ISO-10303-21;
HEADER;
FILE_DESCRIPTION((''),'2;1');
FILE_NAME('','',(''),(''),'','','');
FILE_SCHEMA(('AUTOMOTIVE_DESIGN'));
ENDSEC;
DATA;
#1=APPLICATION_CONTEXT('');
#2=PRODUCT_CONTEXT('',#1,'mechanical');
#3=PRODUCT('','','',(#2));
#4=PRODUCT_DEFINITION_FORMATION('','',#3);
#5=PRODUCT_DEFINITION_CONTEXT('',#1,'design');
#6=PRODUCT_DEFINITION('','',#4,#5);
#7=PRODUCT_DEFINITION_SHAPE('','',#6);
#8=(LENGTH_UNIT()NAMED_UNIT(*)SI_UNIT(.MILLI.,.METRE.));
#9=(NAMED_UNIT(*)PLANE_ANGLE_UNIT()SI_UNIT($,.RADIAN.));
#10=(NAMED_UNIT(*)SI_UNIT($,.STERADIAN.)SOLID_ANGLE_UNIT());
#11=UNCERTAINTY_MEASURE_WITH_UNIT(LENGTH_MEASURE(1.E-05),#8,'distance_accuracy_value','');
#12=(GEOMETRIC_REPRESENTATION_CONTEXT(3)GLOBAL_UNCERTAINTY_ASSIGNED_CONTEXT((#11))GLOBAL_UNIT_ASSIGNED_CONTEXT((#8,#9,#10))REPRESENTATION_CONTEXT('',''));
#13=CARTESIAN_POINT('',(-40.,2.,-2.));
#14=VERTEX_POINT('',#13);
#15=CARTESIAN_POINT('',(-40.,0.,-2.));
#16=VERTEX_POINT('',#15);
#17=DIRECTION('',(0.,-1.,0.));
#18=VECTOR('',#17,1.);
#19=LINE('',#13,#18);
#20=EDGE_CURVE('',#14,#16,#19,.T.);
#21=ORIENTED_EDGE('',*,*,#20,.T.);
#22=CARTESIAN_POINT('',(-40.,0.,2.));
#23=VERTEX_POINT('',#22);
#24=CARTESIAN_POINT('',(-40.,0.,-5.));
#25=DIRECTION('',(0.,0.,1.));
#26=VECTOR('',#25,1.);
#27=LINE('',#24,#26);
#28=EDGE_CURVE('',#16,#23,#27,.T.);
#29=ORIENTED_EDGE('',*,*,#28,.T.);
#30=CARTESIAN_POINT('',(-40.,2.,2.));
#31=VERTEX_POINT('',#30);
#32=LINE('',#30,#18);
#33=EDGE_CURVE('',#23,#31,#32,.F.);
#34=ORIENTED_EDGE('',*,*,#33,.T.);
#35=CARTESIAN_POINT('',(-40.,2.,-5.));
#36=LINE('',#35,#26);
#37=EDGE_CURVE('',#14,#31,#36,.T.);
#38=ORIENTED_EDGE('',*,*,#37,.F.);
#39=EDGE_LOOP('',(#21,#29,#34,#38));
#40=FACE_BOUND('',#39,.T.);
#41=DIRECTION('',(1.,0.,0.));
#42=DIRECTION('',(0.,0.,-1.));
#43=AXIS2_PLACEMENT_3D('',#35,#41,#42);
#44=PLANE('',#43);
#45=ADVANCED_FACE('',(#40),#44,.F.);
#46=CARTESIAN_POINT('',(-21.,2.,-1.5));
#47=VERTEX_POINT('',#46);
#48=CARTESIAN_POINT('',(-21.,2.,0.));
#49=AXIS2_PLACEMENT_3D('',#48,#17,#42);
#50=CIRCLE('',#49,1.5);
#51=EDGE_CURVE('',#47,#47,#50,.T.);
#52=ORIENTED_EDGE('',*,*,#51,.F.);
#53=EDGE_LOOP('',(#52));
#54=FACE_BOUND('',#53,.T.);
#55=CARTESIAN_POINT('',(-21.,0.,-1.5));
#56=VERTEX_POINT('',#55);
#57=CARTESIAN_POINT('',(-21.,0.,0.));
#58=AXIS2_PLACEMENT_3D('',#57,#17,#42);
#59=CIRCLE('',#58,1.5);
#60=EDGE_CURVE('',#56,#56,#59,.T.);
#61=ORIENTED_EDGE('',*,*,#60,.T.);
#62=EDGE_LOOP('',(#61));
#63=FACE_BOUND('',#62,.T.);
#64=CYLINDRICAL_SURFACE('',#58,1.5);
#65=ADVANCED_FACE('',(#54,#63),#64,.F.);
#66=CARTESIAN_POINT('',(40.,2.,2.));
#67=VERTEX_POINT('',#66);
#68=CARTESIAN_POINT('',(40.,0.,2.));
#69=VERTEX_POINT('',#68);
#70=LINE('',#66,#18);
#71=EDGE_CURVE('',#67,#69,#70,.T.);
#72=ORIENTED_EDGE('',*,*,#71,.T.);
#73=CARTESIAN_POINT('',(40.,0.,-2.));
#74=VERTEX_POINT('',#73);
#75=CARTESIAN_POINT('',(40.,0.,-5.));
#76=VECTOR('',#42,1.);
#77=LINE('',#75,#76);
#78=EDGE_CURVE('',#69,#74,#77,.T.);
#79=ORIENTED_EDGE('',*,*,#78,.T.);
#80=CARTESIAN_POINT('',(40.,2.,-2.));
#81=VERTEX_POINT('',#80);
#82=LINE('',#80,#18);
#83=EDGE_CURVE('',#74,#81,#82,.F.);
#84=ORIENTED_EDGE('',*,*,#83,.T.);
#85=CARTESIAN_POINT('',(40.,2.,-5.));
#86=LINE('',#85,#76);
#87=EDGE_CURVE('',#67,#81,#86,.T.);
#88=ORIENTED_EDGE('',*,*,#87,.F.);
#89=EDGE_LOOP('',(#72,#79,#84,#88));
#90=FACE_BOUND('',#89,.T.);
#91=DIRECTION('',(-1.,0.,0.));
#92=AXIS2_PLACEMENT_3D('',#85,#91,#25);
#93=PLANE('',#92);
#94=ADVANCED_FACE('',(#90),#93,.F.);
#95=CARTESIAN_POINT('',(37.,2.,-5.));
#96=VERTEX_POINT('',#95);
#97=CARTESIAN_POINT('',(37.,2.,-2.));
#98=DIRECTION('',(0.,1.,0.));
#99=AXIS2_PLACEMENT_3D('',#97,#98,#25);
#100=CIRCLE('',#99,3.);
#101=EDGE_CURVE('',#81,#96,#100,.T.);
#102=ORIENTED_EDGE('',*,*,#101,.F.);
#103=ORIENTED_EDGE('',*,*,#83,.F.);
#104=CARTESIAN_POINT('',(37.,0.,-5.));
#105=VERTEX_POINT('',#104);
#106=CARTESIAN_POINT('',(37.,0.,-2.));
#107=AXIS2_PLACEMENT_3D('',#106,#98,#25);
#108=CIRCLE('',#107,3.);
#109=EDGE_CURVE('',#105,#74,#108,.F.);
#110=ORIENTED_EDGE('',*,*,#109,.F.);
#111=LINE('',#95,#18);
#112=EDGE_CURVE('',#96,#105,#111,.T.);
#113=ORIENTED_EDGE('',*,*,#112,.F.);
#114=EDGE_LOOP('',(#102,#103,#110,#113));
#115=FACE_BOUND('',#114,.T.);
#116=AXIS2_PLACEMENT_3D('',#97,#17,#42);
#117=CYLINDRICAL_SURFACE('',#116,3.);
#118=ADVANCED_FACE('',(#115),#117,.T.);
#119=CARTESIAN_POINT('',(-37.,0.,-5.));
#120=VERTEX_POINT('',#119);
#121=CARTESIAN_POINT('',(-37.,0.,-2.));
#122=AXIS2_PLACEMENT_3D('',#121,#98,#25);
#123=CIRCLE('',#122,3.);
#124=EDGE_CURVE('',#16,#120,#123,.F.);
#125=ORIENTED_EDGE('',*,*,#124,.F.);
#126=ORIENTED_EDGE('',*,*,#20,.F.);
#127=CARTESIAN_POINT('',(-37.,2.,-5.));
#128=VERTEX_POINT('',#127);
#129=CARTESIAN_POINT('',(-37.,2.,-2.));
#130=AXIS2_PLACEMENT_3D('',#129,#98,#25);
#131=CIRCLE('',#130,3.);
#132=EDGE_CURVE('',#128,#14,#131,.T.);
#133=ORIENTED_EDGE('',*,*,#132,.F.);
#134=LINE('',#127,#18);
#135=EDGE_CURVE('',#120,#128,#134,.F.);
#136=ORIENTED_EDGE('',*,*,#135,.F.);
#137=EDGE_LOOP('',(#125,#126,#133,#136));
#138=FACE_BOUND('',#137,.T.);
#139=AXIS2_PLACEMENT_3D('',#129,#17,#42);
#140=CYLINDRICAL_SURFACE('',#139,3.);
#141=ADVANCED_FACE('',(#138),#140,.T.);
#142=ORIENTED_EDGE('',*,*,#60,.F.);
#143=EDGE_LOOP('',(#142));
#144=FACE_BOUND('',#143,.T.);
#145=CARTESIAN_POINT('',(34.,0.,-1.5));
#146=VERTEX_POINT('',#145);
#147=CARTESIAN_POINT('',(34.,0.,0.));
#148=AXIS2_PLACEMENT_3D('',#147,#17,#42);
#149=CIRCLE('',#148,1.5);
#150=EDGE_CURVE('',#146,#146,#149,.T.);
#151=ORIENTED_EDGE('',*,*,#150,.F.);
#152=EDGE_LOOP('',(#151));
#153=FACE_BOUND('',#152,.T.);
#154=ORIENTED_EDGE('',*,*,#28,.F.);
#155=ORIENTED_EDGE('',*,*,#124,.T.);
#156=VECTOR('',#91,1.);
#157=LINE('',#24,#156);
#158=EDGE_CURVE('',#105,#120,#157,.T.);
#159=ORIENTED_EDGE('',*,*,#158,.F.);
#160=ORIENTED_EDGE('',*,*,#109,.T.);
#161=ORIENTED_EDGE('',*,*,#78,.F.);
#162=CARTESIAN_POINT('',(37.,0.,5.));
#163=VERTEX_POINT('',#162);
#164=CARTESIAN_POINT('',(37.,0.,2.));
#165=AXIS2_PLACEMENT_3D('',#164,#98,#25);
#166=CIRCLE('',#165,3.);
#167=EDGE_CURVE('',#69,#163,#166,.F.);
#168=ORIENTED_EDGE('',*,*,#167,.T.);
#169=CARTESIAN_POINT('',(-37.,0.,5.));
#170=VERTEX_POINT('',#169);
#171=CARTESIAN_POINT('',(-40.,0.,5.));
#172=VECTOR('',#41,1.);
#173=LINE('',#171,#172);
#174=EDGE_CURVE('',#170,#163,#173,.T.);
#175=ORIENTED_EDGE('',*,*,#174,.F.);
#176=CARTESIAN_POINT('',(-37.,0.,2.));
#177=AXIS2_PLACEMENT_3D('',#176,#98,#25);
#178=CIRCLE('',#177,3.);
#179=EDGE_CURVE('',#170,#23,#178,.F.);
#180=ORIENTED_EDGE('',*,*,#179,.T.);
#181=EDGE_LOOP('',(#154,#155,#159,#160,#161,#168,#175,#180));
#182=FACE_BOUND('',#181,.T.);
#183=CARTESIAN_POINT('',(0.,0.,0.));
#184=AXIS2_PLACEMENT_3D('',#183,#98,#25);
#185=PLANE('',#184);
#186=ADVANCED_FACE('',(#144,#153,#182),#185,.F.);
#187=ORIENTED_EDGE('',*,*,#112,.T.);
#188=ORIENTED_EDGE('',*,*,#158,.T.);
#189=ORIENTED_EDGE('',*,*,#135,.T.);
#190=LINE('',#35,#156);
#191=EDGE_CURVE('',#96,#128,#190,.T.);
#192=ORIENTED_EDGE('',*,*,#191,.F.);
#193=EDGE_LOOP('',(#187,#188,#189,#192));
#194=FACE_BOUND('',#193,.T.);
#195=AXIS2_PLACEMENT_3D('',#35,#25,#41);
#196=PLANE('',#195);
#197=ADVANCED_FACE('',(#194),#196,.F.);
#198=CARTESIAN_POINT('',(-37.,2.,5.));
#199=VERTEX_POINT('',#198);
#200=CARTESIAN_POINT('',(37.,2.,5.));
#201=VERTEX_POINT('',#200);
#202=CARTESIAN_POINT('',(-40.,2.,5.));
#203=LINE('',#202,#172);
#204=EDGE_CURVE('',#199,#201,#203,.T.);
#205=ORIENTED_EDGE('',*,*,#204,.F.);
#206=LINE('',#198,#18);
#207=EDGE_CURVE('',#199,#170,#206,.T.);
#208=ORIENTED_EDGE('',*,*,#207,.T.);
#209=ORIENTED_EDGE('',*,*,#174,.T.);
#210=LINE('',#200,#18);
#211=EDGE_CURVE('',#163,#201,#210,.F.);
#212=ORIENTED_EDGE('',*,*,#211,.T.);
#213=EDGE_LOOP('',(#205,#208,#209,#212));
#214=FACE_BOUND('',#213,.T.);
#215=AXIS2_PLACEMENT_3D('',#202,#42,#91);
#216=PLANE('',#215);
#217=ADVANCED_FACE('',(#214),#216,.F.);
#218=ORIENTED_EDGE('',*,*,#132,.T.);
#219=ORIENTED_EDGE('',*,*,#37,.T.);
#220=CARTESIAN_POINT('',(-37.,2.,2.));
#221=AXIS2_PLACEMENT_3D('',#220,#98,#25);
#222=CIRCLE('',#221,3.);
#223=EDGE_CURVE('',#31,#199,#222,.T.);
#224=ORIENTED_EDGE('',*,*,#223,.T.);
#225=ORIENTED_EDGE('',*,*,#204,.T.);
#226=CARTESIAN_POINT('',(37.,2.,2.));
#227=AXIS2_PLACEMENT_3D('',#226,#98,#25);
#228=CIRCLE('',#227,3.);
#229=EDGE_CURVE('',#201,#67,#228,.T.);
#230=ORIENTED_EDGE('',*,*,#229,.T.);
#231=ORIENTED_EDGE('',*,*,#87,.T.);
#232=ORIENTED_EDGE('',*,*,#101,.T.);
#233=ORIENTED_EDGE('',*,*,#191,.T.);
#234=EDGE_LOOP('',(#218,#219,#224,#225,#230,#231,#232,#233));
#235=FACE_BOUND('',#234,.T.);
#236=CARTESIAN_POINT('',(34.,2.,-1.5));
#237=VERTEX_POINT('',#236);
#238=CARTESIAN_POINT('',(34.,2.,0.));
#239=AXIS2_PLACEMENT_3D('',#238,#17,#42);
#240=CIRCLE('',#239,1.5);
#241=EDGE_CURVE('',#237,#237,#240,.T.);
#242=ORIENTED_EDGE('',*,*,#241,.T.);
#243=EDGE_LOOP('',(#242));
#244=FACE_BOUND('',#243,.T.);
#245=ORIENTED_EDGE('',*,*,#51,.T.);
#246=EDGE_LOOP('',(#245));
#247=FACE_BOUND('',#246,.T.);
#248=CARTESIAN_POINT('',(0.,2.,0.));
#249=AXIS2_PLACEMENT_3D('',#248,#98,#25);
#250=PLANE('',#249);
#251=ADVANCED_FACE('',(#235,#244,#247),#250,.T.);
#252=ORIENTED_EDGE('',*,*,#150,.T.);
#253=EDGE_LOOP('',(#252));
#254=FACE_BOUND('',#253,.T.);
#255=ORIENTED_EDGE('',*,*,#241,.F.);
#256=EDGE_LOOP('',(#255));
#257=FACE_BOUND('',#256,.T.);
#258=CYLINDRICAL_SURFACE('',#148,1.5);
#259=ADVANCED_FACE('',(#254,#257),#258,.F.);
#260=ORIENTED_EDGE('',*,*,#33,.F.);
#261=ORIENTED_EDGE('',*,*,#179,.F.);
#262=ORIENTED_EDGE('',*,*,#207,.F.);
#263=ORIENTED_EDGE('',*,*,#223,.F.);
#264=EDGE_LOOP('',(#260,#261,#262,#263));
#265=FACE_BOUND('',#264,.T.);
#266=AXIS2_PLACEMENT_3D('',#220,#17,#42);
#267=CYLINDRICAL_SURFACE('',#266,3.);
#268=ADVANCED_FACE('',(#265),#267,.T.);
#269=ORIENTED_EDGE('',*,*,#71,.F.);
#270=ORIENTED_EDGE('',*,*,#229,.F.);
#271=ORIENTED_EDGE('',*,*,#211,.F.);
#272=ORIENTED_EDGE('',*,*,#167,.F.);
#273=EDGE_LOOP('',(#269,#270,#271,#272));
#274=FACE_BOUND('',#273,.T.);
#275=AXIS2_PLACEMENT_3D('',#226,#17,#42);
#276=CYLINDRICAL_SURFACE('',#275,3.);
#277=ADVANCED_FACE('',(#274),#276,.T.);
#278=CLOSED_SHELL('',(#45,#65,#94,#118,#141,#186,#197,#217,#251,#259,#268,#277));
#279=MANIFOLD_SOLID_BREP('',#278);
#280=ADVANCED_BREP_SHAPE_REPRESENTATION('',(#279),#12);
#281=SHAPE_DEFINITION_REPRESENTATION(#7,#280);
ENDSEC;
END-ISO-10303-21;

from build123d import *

# Parameters (mm, degrees)
SKETCH1_W             = 80
SKETCH1_H             = 10
BOSS_EXTRUDE1_DEPTH   = 2
FILLET1_R             = 3
F_3_0MM_DOWEL_HOLE1_D = 3


with BuildPart() as part:
    # Sketch1 → Boss-Extrude1 (new body)
    with BuildSketch(Plane(origin=(0, 0, 0), x_dir=(1, 0, 0), z_dir=(0, 1, 0))):
        Rectangle(SKETCH1_W, SKETCH1_H)
    extrude(amount=BOSS_EXTRUDE1_DEPTH)

    # Fillet1
    fillet1_edges = [part.edges().sort_by_distance(p)[0] for p in [
        (40, 1, 5),
        (-40, 1, 5),
        (-40, 1, -5),
        (40, 1, -5),
    ]]
    fillet(fillet1_edges, radius=FILLET1_R)

    # Ø3.0mm Dowel Hole1 (through all)
    with Locations(Plane(origin=(0, 0, 0), x_dir=(-1, 0, 0), z_dir=(0, -1, 0))):
        with Locations((-34, 0), (21, 0)):
            Hole(F_3_0MM_DOWEL_HOLE1_D / 2)


solid = part.part
